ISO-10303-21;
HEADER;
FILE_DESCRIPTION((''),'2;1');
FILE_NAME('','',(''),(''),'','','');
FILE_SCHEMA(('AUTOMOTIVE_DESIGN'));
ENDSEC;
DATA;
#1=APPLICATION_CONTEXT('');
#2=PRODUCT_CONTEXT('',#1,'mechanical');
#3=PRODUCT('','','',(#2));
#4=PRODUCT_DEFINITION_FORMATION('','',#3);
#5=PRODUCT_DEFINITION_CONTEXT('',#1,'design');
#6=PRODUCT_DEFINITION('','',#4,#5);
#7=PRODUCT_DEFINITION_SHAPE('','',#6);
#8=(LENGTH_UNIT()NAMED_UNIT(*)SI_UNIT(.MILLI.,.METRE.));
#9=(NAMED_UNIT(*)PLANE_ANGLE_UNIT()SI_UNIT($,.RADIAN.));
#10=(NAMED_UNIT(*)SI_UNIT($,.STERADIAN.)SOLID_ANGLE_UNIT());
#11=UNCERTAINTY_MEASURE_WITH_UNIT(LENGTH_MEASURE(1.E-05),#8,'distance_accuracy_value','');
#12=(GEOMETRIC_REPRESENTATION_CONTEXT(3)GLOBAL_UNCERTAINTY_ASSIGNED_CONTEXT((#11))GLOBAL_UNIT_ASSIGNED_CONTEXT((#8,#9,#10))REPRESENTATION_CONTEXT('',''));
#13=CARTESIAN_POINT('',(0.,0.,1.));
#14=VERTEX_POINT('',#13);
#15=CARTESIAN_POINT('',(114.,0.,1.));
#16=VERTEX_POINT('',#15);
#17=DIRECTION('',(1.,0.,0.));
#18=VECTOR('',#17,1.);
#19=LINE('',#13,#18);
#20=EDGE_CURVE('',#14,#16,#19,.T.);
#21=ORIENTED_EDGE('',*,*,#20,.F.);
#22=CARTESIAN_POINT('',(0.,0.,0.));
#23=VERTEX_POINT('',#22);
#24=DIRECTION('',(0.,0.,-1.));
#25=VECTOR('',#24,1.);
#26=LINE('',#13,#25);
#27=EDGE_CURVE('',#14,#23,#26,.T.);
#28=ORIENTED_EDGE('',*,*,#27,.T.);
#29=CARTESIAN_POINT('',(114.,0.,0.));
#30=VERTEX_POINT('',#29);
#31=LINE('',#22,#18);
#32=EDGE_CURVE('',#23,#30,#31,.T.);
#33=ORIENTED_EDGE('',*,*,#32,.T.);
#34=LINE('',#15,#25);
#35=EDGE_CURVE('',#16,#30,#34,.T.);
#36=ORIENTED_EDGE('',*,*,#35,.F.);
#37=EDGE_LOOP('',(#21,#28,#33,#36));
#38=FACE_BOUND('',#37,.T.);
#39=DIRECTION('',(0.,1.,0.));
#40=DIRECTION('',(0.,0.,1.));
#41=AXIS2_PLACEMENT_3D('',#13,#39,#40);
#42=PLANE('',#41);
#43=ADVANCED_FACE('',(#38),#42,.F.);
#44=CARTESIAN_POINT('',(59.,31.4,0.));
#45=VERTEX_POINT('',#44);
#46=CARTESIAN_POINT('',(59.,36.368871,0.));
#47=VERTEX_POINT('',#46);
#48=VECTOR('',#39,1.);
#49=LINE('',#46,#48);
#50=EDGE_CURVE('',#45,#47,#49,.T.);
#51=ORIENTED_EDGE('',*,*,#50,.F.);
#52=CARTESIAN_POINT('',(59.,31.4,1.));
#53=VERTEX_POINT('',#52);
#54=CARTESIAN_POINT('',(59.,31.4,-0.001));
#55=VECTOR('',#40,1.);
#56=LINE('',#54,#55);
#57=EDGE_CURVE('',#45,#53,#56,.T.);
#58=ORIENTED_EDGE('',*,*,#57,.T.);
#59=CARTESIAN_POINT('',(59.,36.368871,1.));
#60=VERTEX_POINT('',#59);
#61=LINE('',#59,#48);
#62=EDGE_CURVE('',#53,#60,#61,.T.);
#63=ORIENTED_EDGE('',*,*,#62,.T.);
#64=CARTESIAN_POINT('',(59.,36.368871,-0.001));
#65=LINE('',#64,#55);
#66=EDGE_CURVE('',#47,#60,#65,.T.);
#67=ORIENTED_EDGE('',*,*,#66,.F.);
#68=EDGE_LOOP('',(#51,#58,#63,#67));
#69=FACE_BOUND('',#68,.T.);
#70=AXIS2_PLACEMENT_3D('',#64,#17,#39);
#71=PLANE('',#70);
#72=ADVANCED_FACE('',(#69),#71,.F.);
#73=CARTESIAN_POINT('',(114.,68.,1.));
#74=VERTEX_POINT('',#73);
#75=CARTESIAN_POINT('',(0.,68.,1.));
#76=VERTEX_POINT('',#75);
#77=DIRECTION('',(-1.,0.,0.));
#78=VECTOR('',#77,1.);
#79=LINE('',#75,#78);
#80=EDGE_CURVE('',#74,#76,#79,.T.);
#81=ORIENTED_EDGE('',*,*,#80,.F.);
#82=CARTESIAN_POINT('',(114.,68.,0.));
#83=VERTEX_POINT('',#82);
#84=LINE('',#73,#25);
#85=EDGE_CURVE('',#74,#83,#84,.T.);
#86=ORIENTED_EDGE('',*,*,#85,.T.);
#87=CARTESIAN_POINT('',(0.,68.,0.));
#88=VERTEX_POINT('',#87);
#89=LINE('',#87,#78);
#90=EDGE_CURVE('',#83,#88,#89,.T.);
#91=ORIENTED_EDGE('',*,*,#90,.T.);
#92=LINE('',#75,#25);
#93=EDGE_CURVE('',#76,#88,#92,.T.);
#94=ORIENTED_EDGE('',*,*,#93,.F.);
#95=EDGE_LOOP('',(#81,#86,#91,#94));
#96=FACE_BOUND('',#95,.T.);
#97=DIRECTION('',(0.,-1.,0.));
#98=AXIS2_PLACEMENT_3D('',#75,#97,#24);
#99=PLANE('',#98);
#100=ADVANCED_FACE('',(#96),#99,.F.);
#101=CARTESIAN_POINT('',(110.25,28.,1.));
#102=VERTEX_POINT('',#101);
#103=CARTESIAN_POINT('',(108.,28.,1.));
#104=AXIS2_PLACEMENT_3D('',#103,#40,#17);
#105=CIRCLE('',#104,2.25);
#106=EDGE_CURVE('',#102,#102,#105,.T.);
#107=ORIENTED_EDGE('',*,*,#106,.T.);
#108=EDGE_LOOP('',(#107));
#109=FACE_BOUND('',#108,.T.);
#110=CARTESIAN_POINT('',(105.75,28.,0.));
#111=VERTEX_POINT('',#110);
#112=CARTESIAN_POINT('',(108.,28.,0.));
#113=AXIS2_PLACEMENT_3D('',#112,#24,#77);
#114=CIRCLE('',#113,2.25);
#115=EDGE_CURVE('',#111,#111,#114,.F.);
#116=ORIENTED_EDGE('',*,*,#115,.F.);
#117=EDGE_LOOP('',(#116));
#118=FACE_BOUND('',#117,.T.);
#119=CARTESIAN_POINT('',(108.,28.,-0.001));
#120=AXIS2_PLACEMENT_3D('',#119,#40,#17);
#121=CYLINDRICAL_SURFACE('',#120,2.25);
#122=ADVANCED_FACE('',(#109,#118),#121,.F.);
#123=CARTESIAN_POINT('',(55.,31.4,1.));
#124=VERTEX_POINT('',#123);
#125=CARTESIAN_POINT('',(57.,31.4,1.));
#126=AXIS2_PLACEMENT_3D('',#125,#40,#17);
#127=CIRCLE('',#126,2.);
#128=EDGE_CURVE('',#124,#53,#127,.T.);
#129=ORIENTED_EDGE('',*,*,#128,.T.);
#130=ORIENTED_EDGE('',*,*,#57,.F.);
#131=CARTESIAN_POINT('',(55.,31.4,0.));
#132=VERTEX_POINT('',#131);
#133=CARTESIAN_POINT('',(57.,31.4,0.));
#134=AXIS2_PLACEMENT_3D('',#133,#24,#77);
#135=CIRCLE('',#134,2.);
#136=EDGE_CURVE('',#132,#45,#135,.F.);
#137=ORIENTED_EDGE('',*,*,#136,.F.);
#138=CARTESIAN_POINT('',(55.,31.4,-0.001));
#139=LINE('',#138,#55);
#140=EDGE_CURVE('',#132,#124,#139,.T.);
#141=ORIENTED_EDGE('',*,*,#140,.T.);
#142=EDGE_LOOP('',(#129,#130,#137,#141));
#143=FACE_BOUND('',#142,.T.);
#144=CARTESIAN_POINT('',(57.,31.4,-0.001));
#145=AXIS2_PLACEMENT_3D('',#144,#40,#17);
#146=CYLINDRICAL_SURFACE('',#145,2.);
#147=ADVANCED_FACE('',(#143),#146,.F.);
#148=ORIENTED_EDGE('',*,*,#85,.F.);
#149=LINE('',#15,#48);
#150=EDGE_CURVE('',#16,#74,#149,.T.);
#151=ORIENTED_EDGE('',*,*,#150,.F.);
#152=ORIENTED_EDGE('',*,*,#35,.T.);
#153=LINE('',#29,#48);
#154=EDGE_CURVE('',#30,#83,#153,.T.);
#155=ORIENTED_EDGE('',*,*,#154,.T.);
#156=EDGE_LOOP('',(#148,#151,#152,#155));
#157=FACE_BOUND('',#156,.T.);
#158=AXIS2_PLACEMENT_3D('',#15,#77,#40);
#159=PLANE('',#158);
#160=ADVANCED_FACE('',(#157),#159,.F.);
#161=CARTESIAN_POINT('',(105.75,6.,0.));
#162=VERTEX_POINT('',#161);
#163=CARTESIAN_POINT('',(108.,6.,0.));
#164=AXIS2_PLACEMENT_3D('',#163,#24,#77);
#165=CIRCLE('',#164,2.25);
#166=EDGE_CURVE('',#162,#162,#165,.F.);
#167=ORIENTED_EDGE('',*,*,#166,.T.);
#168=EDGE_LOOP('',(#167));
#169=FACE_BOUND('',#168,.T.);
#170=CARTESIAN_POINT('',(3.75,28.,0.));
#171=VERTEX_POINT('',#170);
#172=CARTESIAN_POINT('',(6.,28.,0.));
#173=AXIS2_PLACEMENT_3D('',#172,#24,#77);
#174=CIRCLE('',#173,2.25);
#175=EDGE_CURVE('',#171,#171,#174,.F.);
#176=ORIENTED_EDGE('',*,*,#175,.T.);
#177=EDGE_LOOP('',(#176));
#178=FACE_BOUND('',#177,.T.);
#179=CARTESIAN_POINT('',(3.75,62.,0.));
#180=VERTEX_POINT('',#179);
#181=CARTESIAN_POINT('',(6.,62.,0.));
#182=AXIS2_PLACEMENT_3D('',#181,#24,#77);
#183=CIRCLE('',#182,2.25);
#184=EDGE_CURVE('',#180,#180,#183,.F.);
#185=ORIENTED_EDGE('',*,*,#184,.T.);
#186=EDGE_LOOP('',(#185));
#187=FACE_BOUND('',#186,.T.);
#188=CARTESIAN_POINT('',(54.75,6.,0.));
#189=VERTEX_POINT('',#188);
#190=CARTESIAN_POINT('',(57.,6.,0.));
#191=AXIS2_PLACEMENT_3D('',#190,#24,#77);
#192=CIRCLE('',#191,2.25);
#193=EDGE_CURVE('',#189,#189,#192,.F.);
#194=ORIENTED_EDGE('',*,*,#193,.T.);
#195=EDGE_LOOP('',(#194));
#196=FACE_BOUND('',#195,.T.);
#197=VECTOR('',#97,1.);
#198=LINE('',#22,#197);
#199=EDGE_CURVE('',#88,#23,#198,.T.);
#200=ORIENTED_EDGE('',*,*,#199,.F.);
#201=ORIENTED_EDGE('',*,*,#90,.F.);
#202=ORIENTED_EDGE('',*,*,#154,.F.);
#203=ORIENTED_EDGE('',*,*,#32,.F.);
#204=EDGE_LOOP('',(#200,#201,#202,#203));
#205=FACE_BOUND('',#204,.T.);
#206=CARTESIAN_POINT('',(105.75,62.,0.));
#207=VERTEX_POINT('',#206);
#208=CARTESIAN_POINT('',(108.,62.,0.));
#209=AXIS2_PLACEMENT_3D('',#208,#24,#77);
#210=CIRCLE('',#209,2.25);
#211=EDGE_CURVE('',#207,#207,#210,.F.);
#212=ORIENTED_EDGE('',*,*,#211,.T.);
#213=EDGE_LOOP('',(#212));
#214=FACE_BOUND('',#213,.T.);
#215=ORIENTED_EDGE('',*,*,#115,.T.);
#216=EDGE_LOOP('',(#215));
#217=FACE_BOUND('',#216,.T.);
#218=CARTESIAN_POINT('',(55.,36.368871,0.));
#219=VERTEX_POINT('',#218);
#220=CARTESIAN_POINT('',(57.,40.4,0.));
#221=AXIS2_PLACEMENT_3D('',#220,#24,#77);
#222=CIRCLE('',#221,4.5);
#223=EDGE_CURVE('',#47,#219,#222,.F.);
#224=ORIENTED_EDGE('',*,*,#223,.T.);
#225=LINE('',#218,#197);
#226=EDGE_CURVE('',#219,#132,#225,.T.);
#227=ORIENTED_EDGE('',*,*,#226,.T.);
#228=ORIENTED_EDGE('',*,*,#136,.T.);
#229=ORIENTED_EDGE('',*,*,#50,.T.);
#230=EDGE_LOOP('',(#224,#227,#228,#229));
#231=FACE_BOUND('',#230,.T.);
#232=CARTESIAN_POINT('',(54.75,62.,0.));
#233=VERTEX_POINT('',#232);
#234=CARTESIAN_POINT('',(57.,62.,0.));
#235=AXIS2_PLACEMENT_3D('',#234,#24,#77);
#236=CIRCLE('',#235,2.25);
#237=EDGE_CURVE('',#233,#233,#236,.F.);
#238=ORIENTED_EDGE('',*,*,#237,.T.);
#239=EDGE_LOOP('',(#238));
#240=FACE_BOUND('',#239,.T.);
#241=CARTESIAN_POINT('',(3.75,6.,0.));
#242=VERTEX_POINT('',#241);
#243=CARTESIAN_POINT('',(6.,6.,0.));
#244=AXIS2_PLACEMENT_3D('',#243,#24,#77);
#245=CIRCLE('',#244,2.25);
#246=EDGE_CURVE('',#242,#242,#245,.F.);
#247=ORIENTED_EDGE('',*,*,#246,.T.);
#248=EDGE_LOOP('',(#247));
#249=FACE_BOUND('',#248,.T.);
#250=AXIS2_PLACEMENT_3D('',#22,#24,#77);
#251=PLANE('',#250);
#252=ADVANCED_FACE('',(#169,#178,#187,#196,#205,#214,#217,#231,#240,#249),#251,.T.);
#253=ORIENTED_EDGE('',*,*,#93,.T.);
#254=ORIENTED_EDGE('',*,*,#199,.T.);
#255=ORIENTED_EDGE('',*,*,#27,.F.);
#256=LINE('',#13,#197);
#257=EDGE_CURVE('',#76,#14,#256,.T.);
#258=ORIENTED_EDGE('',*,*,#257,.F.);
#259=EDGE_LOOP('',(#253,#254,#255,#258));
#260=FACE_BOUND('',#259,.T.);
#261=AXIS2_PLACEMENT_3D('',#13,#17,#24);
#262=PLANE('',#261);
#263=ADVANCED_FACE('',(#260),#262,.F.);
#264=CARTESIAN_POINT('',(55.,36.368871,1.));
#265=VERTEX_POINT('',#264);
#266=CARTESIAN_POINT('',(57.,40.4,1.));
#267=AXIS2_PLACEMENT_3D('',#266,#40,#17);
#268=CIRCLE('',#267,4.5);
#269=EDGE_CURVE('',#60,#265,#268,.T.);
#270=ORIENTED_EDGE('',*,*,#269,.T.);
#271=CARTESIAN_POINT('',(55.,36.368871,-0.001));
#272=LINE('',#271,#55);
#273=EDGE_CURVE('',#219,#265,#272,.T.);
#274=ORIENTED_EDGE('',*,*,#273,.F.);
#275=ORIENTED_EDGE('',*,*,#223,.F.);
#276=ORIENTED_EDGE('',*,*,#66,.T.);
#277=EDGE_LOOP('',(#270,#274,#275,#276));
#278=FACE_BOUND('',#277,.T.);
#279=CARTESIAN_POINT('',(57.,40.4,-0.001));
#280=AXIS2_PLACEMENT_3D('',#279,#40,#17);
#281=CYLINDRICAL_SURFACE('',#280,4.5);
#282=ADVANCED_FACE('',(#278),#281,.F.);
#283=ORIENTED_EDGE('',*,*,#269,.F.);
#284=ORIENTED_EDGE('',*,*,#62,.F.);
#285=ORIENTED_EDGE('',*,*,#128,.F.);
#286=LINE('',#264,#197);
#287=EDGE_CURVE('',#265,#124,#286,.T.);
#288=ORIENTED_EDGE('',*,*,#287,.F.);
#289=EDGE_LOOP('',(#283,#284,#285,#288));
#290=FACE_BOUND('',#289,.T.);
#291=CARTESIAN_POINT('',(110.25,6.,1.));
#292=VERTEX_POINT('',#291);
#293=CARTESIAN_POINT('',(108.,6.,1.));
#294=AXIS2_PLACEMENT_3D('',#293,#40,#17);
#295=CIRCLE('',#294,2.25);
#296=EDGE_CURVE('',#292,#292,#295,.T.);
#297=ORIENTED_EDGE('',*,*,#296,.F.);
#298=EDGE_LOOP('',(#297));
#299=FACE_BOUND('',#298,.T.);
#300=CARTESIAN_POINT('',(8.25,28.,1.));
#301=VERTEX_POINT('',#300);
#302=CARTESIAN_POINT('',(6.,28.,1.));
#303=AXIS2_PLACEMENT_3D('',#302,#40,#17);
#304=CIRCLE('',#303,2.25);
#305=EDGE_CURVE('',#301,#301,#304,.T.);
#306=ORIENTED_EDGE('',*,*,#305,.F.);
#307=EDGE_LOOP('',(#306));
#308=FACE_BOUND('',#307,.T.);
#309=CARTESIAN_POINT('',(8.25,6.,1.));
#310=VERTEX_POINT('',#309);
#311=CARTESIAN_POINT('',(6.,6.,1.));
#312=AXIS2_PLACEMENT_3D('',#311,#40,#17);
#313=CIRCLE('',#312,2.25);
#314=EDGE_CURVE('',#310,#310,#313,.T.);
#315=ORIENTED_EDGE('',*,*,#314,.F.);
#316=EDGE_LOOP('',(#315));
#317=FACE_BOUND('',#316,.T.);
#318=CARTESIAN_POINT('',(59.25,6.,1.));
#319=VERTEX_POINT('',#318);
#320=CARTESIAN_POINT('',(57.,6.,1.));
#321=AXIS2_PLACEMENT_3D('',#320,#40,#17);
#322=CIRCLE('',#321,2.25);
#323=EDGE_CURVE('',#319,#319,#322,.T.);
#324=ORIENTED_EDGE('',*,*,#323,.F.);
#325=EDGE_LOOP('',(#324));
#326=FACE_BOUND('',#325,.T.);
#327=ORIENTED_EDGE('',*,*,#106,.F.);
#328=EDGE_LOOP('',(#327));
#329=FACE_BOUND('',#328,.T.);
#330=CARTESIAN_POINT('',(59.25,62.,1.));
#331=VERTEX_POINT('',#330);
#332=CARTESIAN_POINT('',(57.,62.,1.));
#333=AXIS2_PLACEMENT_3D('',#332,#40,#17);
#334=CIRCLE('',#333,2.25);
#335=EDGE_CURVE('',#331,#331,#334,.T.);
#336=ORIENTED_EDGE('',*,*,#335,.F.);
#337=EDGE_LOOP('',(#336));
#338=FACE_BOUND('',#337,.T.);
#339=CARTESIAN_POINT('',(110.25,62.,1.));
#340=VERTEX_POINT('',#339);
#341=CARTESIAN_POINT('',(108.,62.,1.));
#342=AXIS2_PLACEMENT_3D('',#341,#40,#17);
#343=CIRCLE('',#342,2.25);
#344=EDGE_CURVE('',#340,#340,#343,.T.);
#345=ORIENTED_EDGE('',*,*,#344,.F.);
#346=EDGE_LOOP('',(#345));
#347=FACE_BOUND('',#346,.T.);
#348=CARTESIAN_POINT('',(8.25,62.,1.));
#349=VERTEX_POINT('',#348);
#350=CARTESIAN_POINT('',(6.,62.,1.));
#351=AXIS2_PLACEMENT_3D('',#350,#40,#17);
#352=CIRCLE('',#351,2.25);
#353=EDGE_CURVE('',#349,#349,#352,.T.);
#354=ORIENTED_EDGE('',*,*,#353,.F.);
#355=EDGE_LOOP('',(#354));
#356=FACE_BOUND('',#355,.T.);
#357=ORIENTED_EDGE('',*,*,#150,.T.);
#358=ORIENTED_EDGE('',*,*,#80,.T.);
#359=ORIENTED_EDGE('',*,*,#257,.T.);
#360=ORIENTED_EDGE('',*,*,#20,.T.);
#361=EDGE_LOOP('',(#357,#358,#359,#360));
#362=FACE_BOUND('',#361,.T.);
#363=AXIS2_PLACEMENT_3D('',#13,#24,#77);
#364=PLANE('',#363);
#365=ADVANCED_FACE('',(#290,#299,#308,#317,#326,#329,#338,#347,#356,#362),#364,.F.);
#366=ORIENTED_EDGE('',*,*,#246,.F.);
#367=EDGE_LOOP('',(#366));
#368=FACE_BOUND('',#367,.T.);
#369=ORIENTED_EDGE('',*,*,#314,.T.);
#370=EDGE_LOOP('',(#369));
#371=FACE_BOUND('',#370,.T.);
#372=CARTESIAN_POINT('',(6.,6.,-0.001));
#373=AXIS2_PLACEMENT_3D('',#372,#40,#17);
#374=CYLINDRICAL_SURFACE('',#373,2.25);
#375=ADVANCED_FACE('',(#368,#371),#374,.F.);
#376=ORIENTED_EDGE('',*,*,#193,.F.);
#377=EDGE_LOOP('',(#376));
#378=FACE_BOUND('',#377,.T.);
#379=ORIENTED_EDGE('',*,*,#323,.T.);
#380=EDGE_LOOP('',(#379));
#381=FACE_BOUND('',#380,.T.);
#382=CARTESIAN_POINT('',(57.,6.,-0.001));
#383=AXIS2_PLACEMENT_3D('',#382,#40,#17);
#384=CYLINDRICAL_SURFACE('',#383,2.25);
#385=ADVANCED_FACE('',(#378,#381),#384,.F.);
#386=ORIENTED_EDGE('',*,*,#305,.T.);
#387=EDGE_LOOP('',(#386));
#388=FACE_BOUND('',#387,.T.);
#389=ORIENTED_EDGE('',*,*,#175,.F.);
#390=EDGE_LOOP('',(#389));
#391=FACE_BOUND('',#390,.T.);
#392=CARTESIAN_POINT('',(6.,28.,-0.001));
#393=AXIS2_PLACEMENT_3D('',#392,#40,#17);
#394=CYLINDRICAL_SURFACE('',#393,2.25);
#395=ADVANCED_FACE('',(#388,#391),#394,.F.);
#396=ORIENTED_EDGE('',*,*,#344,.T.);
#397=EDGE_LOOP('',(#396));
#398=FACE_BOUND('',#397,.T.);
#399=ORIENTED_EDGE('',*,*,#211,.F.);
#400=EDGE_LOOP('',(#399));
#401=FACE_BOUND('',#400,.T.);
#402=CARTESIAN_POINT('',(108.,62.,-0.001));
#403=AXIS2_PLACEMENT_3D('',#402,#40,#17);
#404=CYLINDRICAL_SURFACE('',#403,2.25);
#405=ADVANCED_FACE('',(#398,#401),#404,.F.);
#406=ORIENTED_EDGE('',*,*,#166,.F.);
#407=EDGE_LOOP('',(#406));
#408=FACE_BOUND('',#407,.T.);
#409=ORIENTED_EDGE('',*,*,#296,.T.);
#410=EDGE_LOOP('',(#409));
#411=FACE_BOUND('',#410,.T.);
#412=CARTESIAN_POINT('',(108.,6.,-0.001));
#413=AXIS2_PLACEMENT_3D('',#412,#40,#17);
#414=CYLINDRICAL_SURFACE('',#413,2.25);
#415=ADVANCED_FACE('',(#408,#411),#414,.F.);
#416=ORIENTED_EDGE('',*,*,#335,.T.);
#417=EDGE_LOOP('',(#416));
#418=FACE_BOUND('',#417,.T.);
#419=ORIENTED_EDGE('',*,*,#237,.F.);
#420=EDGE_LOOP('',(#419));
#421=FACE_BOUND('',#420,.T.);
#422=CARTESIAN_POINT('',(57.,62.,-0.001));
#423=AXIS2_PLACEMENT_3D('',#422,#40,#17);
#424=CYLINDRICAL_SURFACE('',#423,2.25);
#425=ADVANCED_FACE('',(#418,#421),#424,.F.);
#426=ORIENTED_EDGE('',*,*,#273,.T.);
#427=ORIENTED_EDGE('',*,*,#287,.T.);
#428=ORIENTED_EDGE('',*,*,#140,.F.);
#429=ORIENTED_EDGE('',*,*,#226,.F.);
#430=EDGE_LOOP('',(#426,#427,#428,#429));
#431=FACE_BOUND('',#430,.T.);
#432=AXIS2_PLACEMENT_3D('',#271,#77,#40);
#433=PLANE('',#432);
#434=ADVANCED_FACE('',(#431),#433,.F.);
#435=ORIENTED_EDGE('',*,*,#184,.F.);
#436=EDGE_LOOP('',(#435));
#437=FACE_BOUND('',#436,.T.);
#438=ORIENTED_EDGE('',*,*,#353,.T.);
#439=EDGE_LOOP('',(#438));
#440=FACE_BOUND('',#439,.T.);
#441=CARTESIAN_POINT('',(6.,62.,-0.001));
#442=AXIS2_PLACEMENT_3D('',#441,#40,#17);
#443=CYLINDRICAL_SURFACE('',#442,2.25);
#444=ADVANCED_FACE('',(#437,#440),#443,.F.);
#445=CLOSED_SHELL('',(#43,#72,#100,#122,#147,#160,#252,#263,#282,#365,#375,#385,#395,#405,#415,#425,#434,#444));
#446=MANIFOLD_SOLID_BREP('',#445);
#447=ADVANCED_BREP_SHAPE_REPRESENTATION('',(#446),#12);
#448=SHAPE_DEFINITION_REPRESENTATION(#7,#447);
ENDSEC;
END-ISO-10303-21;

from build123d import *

# Parameters (mm, degrees)
SKETCH_1_W          = 114
SKETCH_1_H          = 68
EXTRUDE_1_DEPTH     = 1
CUT_EXTRUDE_1_REACH = 3
SKETCH_2_R          = 2.25


with BuildPart() as part:
    # Эскиз1 → Бобышка-Вытянуть1 (new body)
    with BuildSketch(Plane.XY):
        with Locations((57, 34)):
            Rectangle(SKETCH_1_W, SKETCH_1_H)
    extrude(amount=EXTRUDE_1_DEPTH)

    # Эскиз2 → Вырез-Вытянуть1 (cut, up to next)
    with BuildSketch(Plane.XY.offset(1), mode=Mode.PRIVATE) as cut_extrude_1_sk1:
        with Locations((6, 62)):
            Circle(SKETCH_2_R)
    cut_extrude_1_tool1 = extrude(cut_extrude_1_sk1.sketch, amount=-CUT_EXTRUDE_1_REACH, mode=Mode.PRIVATE) & part.part
    add(cut_extrude_1_tool1.solids().sort_by_distance((6, 62, 1))[0], mode=Mode.SUBTRACT)
    # Эскиз2 → Вырез-Вытянуть1 (cut, up to next)
    with BuildSketch(Plane.XY.offset(1), mode=Mode.PRIVATE) as cut_extrude_1_sk2:
        with Locations((6, 28)):
            Circle(SKETCH_2_R)
    cut_extrude_1_tool2 = extrude(cut_extrude_1_sk2.sketch, amount=-CUT_EXTRUDE_1_REACH, mode=Mode.PRIVATE) & part.part
    add(cut_extrude_1_tool2.solids().sort_by_distance((6, 28, 1))[0], mode=Mode.SUBTRACT)
    # Эскиз2 → Вырез-Вытянуть1 (cut, up to next)
    with BuildSketch(Plane.XY.offset(1), mode=Mode.PRIVATE) as cut_extrude_1_sk3:
        with Locations((6, 6)):
            Circle(SKETCH_2_R)
    cut_extrude_1_tool3 = extrude(cut_extrude_1_sk3.sketch, amount=-CUT_EXTRUDE_1_REACH, mode=Mode.PRIVATE) & part.part
    add(cut_extrude_1_tool3.solids().sort_by_distance((6, 6, 1))[0], mode=Mode.SUBTRACT)
    # Эскиз2 → Вырез-Вытянуть1 (cut, up to next)
    with BuildSketch(Plane.XY.offset(1), mode=Mode.PRIVATE) as cut_extrude_1_sk4:
        with Locations((57, 6)):
            Circle(SKETCH_2_R)
    cut_extrude_1_tool4 = extrude(cut_extrude_1_sk4.sketch, amount=-CUT_EXTRUDE_1_REACH, mode=Mode.PRIVATE) & part.part
    add(cut_extrude_1_tool4.solids().sort_by_distance((57, 6, 1))[0], mode=Mode.SUBTRACT)
    # Эскиз2 → Вырез-Вытянуть1 (cut, up to next)
    with BuildSketch(Plane.XY.offset(1), mode=Mode.PRIVATE) as cut_extrude_1_sk5:
        with Locations((57, 62)):
            Circle(SKETCH_2_R)
    cut_extrude_1_tool5 = extrude(cut_extrude_1_sk5.sketch, amount=-CUT_EXTRUDE_1_REACH, mode=Mode.PRIVATE) & part.part
    add(cut_extrude_1_tool5.solids().sort_by_distance((57, 62, 1))[0], mode=Mode.SUBTRACT)
    # Эскиз2 → Вырез-Вытянуть1 (cut, up to next)
    with BuildSketch(Plane.XY.offset(1), mode=Mode.PRIVATE) as cut_extrude_1_sk6:
        with Locations((108, 62)):
            Circle(SKETCH_2_R)
    cut_extrude_1_tool6 = extrude(cut_extrude_1_sk6.sketch, amount=-CUT_EXTRUDE_1_REACH, mode=Mode.PRIVATE) & part.part
    add(cut_extrude_1_tool6.solids().sort_by_distance((108, 62, 1))[0], mode=Mode.SUBTRACT)
    # Эскиз2 → Вырез-Вытянуть1 (cut, up to next)
    with BuildSketch(Plane.XY.offset(1), mode=Mode.PRIVATE) as cut_extrude_1_sk7:
        with Locations((108, 28)):
            Circle(SKETCH_2_R)
    cut_extrude_1_tool7 = extrude(cut_extrude_1_sk7.sketch, amount=-CUT_EXTRUDE_1_REACH, mode=Mode.PRIVATE) & part.part
    add(cut_extrude_1_tool7.solids().sort_by_distance((108, 28, 1))[0], mode=Mode.SUBTRACT)
    # Эскиз2 → Вырез-Вытянуть1 (cut, up to next)
    with BuildSketch(Plane.XY.offset(1), mode=Mode.PRIVATE) as cut_extrude_1_sk8:
        with Locations((108, 6)):
            Circle(SKETCH_2_R)
    cut_extrude_1_tool8 = extrude(cut_extrude_1_sk8.sketch, amount=-CUT_EXTRUDE_1_REACH, mode=Mode.PRIVATE) & part.part
    add(cut_extrude_1_tool8.solids().sort_by_distance((108, 6, 1))[0], mode=Mode.SUBTRACT)
    # Эскиз2 → Вырез-Вытянуть1 (cut, up to next)
    with BuildSketch(Plane.XY.offset(1), mode=Mode.PRIVATE) as cut_extrude_1_sk9:
        with BuildLine():
            Line((59, 36.368871126), (59, 31.4))
            ThreePointArc((59, 31.4), (57, 29.4), (55, 31.4))
            Line((55, 31.4), (55, 36.368871126))
            ThreePointArc((55, 36.368871126), (57, 44.9), (59, 36.368871126))
        make_face()
    cut_extrude_1_tool9 = extrude(cut_extrude_1_sk9.sketch, amount=-CUT_EXTRUDE_1_REACH, mode=Mode.PRIVATE) & part.part
    add(cut_extrude_1_tool9.solids().sort_by_distance((57, 38.298039, 1))[0], mode=Mode.SUBTRACT)


solid = part.part
